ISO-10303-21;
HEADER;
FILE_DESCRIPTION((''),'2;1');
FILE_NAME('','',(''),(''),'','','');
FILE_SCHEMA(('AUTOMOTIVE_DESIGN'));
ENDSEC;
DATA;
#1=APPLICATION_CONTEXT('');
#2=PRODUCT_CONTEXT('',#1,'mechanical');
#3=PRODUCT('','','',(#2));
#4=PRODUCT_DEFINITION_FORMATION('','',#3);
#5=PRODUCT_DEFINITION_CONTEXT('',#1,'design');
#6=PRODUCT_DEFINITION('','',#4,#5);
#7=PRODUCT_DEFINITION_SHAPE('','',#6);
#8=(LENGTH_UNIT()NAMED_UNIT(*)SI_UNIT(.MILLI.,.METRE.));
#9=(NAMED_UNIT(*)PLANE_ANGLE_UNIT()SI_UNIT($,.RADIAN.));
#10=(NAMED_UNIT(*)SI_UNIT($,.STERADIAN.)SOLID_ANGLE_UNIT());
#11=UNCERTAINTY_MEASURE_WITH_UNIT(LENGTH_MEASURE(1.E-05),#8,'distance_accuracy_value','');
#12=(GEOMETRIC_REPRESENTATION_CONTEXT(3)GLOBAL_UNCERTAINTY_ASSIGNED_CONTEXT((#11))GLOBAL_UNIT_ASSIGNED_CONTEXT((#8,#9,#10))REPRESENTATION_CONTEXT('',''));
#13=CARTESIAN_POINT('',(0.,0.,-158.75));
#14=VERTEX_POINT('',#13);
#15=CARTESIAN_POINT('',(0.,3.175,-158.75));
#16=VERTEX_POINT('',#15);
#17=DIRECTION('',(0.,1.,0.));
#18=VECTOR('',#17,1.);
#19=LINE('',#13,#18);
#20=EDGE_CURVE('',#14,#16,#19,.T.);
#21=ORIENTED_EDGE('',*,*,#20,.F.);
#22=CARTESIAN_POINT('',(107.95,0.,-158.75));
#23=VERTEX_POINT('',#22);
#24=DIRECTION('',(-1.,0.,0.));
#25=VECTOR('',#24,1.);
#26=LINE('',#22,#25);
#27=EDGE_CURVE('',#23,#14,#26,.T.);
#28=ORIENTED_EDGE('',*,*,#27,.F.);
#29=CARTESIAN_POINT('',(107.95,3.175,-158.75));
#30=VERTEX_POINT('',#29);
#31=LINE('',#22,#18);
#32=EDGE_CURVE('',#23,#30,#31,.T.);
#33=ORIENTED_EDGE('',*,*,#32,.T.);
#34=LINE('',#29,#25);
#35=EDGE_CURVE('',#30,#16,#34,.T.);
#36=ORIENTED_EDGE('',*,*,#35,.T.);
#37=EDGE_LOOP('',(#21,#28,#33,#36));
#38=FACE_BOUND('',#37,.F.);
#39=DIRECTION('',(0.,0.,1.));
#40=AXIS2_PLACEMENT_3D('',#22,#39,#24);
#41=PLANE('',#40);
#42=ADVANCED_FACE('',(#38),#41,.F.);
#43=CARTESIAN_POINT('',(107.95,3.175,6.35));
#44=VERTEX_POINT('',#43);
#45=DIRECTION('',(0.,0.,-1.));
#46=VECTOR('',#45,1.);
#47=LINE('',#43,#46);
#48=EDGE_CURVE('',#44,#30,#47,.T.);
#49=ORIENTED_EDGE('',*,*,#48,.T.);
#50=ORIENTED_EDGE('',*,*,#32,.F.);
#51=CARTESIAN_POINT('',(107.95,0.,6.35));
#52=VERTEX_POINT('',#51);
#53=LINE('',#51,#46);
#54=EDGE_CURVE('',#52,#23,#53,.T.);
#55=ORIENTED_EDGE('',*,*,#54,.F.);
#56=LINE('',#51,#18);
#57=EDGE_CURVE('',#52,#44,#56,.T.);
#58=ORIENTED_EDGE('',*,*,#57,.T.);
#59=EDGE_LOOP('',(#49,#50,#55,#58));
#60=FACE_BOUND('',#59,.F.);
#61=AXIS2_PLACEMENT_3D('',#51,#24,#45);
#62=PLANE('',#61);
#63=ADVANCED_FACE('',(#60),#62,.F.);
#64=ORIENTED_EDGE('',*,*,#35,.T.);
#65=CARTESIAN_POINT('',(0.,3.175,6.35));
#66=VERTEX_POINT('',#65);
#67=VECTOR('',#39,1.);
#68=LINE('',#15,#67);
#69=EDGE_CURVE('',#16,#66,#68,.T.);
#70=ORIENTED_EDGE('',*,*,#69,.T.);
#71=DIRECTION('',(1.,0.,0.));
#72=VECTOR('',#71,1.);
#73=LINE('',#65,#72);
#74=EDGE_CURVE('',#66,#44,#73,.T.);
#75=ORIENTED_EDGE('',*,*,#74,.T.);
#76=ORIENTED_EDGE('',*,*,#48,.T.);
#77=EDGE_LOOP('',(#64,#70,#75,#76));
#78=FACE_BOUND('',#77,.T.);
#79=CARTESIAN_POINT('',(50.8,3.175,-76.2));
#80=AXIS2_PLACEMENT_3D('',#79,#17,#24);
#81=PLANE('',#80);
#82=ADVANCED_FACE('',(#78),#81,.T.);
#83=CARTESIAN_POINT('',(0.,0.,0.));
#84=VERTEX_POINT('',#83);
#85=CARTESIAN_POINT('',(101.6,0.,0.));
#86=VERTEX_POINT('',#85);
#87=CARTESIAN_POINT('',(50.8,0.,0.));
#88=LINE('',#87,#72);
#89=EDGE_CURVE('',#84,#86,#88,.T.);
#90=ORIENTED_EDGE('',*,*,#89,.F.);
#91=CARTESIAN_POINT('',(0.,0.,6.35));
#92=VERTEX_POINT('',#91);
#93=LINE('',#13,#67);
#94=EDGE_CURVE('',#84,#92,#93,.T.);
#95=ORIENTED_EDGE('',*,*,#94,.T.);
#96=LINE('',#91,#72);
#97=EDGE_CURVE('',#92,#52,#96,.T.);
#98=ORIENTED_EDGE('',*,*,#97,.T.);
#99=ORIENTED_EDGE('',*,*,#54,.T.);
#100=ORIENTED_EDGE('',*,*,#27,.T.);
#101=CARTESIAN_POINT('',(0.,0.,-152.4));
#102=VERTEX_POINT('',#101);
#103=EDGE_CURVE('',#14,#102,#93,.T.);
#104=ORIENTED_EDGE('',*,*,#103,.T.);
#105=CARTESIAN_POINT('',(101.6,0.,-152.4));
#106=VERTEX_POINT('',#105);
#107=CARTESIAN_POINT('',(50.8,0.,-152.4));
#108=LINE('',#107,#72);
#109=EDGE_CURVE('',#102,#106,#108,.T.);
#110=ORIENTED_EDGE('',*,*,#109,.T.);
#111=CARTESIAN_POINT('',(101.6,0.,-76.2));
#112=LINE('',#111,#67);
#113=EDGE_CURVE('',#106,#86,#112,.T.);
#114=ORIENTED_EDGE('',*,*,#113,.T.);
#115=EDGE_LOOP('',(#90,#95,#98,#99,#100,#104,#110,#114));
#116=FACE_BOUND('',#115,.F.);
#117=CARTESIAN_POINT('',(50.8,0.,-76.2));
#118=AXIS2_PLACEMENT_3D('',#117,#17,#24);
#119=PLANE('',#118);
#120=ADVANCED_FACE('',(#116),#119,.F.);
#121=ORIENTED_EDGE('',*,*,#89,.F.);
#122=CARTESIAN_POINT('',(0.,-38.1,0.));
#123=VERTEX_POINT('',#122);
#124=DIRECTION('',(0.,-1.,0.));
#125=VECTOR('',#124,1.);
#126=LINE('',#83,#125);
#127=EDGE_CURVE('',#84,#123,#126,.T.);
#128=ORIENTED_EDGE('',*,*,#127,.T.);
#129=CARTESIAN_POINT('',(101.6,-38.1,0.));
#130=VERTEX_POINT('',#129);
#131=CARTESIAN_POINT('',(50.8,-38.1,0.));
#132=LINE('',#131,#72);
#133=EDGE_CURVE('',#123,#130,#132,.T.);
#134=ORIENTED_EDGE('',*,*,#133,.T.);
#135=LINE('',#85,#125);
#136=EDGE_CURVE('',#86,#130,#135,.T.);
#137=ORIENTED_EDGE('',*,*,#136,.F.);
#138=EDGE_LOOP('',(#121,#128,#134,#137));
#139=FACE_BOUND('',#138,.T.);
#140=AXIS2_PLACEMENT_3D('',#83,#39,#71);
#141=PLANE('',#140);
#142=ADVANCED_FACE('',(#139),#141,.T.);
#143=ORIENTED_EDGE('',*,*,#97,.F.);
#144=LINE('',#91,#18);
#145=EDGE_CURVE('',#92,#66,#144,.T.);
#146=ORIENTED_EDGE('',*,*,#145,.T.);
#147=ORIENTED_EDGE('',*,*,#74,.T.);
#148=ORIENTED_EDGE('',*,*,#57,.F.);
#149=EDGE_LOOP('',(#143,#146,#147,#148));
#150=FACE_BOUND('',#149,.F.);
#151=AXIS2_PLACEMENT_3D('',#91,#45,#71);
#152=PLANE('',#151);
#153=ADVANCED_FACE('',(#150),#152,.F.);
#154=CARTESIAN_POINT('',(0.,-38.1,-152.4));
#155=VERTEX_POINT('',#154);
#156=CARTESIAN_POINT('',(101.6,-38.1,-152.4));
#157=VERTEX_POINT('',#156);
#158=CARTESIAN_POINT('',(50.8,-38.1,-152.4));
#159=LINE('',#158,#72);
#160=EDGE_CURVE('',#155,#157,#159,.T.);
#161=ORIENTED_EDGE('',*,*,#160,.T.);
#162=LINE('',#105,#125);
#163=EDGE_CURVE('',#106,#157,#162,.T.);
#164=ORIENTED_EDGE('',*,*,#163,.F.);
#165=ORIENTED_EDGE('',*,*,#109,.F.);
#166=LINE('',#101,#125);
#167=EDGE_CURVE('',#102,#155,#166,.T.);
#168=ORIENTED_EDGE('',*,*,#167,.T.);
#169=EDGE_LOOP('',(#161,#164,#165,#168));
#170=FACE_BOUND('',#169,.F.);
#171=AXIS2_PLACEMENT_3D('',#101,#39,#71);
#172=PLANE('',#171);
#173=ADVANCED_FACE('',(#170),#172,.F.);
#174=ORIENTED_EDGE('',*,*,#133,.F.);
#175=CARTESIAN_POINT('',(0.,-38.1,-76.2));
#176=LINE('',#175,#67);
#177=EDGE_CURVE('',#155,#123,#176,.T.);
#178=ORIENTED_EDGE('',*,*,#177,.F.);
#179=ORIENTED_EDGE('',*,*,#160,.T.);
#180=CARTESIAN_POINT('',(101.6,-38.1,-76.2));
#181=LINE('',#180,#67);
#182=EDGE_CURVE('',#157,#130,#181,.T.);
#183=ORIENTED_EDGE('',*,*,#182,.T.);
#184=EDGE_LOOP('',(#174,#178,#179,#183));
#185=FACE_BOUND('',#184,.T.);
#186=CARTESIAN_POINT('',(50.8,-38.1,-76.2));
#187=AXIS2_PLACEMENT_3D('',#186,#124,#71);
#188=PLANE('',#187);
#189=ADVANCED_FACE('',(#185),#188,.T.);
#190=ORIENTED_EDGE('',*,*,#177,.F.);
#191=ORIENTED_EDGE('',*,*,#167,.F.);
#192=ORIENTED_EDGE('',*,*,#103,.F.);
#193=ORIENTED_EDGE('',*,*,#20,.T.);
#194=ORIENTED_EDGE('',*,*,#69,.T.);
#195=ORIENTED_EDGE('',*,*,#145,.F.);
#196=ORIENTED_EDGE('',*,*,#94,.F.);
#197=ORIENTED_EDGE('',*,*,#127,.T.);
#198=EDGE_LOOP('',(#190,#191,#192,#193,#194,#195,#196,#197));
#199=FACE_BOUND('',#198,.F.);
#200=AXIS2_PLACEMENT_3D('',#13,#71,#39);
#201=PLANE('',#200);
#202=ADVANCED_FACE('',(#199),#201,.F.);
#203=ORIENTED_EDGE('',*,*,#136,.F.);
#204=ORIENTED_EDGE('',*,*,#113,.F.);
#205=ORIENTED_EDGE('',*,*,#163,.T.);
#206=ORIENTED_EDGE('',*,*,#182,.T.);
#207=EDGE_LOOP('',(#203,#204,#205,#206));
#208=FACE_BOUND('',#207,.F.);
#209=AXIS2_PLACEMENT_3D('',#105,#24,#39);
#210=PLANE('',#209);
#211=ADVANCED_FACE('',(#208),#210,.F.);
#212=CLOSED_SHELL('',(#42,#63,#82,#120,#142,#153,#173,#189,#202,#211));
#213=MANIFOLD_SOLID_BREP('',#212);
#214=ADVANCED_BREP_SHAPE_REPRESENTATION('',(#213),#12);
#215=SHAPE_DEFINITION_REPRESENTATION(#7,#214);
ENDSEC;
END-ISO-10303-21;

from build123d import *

# Parameters (mm, degrees)
F0_W     = 101.6
F0_H     = 152.4
F1_DEPTH = 38.1
F2_W     = 101.6
F2_H     = 152.4
F3_DEPTH = 3.175


with BuildPart() as f1:
    # F0 (on Front) → F1 (new body)
    with BuildSketch(Plane.XZ):
        with Locations((50.8, -76.2)):
            Rectangle(F0_W, F0_H)
    extrude(amount=F1_DEPTH)

    # F2 (on face) → F3 (join)
    with BuildSketch(Plane(origin=(0, 0, 0), x_dir=(-1, 0, 0), z_dir=(0, 1, 0))):
        with Locations((-50.8, -76.2)):
            Rectangle(F2_W, F2_H)
        Polygon((-107.95, -158.75), (0, -158.75), (0, -152.4), (-101.6, -152.4), (-101.6, 0), (0, 0), (0, 6.35), (-107.95, 6.35), align=None)
    extrude(amount=F3_DEPTH)


solid = f1.part
